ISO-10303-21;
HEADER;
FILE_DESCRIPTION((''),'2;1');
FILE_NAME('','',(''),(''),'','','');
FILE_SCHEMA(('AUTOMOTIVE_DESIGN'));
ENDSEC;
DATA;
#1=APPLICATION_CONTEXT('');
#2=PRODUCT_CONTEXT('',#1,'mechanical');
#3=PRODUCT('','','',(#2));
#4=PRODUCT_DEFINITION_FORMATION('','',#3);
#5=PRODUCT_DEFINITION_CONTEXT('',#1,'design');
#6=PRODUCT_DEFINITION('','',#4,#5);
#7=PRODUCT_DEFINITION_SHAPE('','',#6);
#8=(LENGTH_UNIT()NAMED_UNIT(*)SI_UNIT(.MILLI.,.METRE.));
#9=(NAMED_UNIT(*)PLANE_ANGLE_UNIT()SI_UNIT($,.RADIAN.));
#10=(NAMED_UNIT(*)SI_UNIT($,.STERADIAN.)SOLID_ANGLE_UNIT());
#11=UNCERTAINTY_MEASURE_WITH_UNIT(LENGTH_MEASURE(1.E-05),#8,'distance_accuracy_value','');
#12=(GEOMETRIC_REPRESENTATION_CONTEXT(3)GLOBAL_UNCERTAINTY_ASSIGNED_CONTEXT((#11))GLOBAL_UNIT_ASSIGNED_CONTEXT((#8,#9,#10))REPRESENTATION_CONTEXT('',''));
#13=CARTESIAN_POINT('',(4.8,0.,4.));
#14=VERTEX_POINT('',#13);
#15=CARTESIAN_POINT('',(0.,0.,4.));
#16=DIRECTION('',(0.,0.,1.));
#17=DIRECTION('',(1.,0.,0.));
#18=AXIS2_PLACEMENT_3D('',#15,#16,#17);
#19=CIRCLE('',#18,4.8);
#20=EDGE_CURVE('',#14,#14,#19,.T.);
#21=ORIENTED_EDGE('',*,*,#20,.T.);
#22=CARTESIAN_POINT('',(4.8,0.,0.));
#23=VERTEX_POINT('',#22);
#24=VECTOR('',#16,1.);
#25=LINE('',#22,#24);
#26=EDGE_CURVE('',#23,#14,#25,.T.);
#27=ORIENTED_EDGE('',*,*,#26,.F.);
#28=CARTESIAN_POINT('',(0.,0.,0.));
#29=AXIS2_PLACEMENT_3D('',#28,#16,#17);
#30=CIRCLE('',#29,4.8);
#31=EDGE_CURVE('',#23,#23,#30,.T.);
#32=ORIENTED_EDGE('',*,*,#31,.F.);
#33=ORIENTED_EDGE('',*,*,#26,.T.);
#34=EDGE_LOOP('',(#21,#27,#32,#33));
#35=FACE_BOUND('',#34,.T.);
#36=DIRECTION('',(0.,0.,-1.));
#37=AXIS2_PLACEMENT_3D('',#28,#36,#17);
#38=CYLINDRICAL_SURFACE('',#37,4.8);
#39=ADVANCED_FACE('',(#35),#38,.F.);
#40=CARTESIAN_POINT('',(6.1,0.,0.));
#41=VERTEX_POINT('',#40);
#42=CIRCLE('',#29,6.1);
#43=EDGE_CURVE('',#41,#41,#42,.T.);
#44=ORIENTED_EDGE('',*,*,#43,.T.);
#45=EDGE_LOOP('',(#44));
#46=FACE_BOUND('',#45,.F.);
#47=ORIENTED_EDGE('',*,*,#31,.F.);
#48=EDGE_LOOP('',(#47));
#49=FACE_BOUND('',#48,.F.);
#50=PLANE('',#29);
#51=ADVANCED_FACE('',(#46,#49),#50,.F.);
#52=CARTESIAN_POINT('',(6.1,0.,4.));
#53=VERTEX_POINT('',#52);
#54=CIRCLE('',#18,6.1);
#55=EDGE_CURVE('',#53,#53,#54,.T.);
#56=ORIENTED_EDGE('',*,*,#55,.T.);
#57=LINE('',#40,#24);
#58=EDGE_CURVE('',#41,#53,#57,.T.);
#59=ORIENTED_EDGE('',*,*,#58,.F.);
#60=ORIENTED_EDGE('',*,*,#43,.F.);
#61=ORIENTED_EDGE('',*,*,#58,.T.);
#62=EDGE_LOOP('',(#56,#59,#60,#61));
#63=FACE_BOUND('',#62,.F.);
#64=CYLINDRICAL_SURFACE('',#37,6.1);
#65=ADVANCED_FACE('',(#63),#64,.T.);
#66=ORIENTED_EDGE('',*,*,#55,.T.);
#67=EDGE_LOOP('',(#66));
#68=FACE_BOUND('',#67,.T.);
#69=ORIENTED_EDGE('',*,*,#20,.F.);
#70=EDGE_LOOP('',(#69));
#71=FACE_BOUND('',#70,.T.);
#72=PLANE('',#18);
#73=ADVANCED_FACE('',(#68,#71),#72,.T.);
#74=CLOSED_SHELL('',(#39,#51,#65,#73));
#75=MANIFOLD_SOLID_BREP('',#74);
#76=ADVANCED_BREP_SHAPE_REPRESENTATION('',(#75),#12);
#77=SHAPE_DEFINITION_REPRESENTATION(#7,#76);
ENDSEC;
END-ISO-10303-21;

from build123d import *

# Parameters (mm, degrees)
SKETCH_R   = 6.1
SKETCH_R_2 = 4.8
PAD_DEPTH  = 4


with BuildPart() as part:
    # Sketch → Pad (new body)
    with BuildSketch(Plane.XY):
        Circle(SKETCH_R)
        Circle(SKETCH_R_2, mode=Mode.SUBTRACT)
    extrude(amount=PAD_DEPTH)


solid = part.part
